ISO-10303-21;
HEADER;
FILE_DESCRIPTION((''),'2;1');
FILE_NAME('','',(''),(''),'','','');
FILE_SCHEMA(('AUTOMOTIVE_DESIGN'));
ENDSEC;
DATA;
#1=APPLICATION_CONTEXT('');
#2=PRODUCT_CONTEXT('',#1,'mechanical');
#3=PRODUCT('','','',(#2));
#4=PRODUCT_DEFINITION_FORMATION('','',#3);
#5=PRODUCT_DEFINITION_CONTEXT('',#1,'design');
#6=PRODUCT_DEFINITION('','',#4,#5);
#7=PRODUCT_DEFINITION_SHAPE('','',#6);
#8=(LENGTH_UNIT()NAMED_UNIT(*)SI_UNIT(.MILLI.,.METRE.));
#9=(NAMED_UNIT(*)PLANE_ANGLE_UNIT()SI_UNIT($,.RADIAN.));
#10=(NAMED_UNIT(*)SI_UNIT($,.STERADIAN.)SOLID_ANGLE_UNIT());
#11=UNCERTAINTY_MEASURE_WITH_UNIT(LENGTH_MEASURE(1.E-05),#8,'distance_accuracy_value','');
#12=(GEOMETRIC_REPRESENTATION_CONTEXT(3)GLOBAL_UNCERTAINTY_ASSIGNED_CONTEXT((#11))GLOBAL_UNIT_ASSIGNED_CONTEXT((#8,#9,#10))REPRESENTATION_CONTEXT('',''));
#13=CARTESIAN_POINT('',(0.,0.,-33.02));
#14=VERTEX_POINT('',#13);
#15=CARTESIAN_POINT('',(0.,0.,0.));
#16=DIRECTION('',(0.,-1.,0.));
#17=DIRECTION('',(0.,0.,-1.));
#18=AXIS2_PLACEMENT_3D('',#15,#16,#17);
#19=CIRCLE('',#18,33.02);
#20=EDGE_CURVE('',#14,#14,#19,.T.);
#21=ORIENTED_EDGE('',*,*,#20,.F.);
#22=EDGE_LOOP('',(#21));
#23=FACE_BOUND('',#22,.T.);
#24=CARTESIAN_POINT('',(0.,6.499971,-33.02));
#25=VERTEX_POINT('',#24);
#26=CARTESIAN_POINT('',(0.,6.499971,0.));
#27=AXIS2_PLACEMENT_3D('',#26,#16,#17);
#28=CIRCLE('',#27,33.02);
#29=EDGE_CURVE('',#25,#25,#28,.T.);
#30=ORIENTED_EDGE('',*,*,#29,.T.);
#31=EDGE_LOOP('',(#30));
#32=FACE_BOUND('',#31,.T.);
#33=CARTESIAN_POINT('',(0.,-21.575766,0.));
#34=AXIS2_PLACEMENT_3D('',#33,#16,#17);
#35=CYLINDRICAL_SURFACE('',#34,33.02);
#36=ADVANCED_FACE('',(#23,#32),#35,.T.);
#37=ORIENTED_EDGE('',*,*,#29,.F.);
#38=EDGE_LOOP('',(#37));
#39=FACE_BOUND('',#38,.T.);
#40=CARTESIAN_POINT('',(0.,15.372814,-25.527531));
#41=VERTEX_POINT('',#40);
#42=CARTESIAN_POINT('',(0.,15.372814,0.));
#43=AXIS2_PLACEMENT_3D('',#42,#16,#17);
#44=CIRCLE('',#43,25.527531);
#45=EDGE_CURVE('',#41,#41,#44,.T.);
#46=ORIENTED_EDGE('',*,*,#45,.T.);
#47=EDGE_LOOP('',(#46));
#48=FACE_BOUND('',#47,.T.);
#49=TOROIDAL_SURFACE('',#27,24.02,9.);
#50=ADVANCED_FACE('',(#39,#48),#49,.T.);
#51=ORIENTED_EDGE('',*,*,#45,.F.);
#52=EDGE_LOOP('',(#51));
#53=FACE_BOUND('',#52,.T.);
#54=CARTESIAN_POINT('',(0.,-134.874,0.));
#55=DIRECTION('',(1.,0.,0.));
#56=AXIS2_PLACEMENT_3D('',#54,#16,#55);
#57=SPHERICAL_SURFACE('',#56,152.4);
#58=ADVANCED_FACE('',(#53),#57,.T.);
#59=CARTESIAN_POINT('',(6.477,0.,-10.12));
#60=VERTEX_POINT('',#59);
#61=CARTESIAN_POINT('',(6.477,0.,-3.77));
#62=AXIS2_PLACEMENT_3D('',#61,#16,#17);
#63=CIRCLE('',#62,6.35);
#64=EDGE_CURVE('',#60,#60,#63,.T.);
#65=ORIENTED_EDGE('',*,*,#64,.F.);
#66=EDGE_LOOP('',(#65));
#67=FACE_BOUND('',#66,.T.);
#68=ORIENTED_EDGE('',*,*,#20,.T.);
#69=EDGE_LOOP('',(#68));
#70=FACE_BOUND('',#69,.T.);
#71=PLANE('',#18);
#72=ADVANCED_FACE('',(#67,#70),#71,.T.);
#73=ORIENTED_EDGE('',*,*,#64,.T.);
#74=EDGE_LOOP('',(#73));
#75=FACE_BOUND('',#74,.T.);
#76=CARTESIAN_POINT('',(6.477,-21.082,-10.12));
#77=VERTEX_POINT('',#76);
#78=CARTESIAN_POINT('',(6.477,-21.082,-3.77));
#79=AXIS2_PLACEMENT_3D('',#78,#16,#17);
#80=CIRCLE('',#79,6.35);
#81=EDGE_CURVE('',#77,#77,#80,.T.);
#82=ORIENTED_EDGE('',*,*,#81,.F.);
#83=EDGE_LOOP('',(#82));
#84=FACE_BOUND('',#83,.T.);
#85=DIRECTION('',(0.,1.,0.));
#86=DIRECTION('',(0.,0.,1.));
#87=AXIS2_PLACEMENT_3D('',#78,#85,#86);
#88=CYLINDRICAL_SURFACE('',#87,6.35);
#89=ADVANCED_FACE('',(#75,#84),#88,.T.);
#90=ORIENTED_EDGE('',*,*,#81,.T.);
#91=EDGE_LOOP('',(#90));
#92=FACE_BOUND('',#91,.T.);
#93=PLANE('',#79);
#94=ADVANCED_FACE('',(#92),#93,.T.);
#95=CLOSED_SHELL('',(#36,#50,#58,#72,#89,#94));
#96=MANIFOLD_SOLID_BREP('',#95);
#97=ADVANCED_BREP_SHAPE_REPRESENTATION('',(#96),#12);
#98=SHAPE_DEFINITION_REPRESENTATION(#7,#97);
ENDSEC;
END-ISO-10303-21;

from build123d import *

# Parameters (mm, degrees)
SKETCH4_R           = 6.35
BOSS_EXTRUDE2_DEPTH = 21.082


with BuildPart() as part:
    # Sketch3 → Revolve1 (revolve)
    with BuildSketch(Plane.XY, mode=Mode.PRIVATE) as revolve1_sk:
        with BuildLine():
            Line((0, 0), (33.02, 0))
            Line((33.02, 0), (33.02, 6.49997073))
            ThreePointArc((33.02, 6.49997073), (30.896328324, 12.306528126), (25.527531381, 15.372814081))
            ThreePointArc((25.527531381, 15.372814081), (12.809089234, 16.986749481), (0, 17.526))
            Line((0, 17.526), (0, 0))
        make_face()
    revolve(revolve1_sk.sketch.rotate(Axis((0, -21.575765897, 0), (0, 1, 0)), 90), axis=Axis((0, -21.575765897, 0), (0, 1, 0)))

    # Sketch4 → Boss-Extrude2 (add)
    with BuildSketch(Plane.XZ):
        with Locations(Location((6.477, -3.77, 0), (0, 0, 270))):
            Circle(SKETCH4_R)
    extrude(amount=BOSS_EXTRUDE2_DEPTH)


solid = part.part
